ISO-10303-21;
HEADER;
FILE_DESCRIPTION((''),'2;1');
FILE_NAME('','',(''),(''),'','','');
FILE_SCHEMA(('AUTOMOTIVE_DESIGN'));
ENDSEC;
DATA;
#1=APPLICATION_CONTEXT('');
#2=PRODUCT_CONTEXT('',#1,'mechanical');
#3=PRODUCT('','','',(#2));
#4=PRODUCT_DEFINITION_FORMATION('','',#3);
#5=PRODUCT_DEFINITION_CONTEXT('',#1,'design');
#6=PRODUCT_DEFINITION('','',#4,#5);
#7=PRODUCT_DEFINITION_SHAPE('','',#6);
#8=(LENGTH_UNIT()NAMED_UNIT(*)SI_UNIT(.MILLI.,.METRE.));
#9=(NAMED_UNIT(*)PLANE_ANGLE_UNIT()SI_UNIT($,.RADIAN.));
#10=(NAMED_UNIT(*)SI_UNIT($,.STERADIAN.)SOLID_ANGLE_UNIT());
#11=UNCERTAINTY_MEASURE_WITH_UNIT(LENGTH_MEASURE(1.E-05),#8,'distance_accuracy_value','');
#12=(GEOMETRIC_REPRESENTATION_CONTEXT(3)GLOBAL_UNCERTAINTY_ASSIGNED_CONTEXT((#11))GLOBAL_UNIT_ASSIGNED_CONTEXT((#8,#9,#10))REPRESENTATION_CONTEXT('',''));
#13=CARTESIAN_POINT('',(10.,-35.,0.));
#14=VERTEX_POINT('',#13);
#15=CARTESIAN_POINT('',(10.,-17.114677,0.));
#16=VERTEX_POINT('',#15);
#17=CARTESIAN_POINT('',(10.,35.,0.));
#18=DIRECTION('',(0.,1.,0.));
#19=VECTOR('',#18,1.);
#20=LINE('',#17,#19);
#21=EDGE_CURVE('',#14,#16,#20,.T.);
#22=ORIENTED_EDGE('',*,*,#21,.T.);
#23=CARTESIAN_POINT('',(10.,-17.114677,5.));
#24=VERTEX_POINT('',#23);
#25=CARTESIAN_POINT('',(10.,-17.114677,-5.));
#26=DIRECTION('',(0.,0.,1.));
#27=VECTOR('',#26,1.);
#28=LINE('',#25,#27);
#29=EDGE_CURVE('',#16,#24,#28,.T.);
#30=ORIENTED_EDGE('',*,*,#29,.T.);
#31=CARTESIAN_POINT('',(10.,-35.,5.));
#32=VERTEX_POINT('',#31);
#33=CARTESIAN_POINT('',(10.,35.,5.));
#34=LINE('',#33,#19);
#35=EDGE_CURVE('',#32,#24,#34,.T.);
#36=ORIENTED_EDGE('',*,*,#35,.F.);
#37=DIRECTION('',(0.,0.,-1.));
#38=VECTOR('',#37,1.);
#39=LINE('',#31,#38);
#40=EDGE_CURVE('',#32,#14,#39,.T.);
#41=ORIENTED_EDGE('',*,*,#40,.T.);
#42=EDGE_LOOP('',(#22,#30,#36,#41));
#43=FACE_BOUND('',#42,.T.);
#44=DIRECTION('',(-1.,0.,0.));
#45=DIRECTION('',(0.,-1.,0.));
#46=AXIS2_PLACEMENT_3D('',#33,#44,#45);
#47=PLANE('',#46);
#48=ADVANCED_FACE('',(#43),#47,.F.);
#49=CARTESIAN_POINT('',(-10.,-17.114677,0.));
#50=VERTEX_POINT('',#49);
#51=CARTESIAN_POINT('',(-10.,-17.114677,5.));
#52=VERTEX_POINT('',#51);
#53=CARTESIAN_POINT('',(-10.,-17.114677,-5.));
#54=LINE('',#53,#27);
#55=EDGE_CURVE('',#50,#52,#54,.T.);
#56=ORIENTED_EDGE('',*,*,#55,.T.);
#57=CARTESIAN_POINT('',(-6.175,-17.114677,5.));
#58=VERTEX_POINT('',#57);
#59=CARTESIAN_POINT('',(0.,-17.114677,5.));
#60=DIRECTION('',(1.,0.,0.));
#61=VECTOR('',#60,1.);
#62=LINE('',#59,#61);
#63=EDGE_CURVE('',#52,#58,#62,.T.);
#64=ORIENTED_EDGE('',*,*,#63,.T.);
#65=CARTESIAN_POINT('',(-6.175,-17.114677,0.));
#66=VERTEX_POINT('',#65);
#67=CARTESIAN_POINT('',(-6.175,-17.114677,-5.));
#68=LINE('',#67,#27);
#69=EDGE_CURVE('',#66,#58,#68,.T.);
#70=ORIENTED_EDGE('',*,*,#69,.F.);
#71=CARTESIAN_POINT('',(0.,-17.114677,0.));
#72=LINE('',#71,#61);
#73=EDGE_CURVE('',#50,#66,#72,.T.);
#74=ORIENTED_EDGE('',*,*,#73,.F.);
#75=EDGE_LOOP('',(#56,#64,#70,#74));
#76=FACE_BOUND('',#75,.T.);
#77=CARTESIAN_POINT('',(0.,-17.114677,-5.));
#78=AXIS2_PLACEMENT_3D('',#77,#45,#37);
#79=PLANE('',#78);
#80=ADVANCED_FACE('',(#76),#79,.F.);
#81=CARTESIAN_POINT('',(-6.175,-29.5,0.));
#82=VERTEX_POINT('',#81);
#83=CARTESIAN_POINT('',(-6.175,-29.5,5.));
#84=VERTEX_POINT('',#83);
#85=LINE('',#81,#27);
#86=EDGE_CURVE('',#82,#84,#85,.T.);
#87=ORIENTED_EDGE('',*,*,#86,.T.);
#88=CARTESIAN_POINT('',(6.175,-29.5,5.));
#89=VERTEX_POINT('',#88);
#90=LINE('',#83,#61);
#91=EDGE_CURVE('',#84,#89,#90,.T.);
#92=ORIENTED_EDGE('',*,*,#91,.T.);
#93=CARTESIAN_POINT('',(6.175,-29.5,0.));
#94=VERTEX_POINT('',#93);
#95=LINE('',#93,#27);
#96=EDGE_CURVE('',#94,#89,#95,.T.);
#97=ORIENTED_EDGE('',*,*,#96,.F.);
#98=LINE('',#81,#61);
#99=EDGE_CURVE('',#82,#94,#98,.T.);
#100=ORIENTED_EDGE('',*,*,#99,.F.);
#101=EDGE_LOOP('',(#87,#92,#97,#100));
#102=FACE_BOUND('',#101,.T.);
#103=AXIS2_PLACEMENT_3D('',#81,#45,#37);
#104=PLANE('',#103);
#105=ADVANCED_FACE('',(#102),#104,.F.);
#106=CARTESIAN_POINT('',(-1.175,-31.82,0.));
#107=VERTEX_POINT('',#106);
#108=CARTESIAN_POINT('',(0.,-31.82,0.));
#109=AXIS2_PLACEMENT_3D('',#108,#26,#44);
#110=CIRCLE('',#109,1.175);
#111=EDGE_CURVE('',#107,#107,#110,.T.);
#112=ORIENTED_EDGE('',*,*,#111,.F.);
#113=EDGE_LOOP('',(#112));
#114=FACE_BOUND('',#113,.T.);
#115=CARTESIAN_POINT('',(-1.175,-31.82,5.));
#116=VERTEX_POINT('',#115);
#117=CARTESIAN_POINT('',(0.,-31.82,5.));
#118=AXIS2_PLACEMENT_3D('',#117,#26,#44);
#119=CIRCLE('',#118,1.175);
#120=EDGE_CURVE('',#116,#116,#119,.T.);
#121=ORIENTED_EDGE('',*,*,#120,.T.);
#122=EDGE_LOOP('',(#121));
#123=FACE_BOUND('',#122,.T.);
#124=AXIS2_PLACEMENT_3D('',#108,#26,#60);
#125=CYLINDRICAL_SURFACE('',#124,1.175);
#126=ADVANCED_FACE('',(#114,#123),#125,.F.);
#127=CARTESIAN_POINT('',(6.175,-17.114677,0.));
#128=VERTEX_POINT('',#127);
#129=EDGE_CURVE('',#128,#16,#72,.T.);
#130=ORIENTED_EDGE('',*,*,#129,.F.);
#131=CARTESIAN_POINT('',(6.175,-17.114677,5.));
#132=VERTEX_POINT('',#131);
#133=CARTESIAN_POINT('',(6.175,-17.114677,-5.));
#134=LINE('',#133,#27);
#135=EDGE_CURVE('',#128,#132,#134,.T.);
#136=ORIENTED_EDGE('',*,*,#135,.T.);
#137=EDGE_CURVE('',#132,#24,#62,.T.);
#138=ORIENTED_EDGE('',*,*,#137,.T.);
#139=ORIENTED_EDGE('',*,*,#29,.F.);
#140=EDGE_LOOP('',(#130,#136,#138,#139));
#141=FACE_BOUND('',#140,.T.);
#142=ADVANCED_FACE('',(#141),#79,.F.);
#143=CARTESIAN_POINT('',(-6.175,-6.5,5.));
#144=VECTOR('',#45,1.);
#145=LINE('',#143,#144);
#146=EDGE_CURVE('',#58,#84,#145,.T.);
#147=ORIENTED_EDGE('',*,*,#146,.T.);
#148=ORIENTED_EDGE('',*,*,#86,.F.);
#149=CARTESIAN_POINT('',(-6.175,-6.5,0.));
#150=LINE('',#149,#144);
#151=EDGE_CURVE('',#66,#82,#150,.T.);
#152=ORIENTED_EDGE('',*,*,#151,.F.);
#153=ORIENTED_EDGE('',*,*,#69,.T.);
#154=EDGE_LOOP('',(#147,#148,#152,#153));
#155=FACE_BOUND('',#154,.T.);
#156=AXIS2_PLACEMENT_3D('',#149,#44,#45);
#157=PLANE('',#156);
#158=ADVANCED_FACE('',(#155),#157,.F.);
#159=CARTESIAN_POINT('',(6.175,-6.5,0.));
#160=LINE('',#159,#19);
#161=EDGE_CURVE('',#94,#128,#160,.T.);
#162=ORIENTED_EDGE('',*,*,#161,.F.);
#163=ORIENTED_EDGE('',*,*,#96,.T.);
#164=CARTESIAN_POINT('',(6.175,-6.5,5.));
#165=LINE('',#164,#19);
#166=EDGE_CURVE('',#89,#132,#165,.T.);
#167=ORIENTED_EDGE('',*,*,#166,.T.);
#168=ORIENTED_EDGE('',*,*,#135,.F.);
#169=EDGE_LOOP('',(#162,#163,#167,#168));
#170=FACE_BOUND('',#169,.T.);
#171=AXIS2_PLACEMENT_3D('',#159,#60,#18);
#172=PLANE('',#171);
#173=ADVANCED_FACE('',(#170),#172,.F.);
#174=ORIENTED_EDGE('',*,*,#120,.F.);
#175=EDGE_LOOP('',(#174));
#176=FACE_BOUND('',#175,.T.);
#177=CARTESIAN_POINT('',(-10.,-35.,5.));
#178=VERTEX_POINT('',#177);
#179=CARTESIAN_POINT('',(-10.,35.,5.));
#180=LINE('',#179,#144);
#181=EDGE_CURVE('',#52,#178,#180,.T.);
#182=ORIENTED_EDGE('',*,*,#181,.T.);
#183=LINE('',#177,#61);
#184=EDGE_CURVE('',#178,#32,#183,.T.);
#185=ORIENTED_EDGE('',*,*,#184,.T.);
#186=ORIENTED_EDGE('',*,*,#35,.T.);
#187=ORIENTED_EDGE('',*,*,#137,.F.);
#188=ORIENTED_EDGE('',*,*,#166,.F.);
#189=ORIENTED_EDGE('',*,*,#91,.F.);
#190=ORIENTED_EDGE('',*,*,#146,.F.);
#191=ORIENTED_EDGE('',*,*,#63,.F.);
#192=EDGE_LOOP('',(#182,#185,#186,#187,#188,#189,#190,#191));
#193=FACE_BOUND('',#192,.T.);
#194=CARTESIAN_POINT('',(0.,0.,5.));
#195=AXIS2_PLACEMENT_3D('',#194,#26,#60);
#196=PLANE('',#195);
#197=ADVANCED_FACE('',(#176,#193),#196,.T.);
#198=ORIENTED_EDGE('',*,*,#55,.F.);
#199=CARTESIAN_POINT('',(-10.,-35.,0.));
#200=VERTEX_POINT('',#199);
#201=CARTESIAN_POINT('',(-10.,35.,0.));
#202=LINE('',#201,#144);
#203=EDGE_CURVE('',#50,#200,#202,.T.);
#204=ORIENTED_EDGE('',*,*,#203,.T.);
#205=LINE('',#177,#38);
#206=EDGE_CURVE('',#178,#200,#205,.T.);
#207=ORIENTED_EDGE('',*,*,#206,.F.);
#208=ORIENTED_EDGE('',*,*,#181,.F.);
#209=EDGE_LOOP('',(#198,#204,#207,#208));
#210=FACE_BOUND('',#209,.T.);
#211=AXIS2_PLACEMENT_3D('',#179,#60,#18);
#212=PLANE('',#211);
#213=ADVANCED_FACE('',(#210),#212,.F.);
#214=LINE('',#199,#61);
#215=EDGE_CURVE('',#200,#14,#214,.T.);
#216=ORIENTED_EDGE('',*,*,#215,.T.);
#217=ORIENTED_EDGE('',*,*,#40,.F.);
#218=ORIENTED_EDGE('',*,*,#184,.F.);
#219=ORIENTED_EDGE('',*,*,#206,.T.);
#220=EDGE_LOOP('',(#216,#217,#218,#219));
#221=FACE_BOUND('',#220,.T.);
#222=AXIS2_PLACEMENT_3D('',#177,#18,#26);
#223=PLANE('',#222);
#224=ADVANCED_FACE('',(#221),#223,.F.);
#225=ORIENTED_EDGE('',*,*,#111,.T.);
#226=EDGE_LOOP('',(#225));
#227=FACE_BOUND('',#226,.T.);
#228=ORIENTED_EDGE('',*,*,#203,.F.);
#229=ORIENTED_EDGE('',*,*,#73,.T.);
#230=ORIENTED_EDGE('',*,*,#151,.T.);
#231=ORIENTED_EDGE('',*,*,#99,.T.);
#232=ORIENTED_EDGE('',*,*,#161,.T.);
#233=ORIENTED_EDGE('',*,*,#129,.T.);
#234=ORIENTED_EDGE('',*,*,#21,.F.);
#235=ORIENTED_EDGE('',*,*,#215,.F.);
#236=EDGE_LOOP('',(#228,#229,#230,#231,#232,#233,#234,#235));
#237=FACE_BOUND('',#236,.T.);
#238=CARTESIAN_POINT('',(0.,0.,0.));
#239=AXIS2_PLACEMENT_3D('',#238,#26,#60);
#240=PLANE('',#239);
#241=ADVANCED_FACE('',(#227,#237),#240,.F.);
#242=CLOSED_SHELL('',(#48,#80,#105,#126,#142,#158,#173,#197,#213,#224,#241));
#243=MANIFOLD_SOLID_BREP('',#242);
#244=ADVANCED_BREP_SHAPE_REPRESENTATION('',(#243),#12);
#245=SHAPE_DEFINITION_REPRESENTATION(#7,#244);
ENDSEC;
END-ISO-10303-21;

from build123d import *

# Parameters (mm, degrees)
SKETCH3_W           = 20
SKETCH3_H           = 70
BOSS_EXTRUDE3_DEPTH = 5
CUT_EXTRUDE2_DEPTH  = 2
SKETCH6_R           = 3.57
CUT_EXTRUDE3_DEPTH  = 3
SKETCH7_R           = 1.175
SKETCH7_W           = 12.35
SKETCH7_H           = 23
CUT_EXTRUDE4_DEPTH  = 5
SKETCH8_W           = 1.25
SKETCH8_H           = 25
CUT_EXTRUDE5_DEPTH  = 30
SKETCH10_R          = 1.175
CUT_EXTRUDE8_DEPTH  = 10


with BuildPart() as part:
    # Sketch3 → Boss-Extrude3 (new body)
    with BuildSketch(Plane.XY):
        Rectangle(SKETCH3_W, SKETCH3_H)
    extrude(amount=BOSS_EXTRUDE3_DEPTH)

    # Sketch4 → Cut-Extrude2 (cut)
    with BuildSketch(Plane.XY.offset(5)):
        with BuildLine():
            Line((-2.85, 24.850023256), (-1.875, 12.739206809))
            Line((-1.875, 12.739206809), (1.875, 12.739206809))
            Line((1.875, 12.739206809), (2.85, 24.850023256))
            ThreePointArc((2.85, 24.850023256), (0, 23.43), (-2.85, 24.850023256))
        make_face()
        with BuildLine():
            Line((1.875, 12.739206809), (-1.875, 12.739206809))
            ThreePointArc((-1.875, 12.739206809), (0, 10.864206809), (1.875, 12.739206809))
        make_face()
        with BuildLine():
            ThreePointArc((3.57, 27), (-1.133666618, 30.385217866), (-2.85, 24.850023256))
            Line((-2.85, 24.850023256), (2.85, 24.850023256))
            ThreePointArc((2.85, 24.850023256), (3.385217866, 25.866333382), (3.57, 27))
        make_face()
        with BuildLine():
            Line((2.85, 24.850023256), (-2.85, 24.850023256))
            ThreePointArc((-2.85, 24.850023256), (0, 23.43), (2.85, 24.850023256))
        make_face()
    extrude(amount=-CUT_EXTRUDE2_DEPTH, mode=Mode.SUBTRACT)

    # Sketch6 → Cut-Extrude3 (cut)
    with BuildSketch(Plane.XY.offset(3)):
        with Locations((0, 27)):
            Circle(SKETCH6_R)
    extrude(amount=-CUT_EXTRUDE3_DEPTH, mode=Mode.SUBTRACT)

    # Sketch7 → Cut-Extrude4 (cut)
    with BuildSketch(Plane.XY.offset(5)):
        with Locations((0, -4.18)):
            Circle(SKETCH7_R)
        with Locations((0, -31.82)):
            Circle(SKETCH7_R)
        with Locations((0, -18)):
            Rectangle(SKETCH7_W, SKETCH7_H)
    extrude(amount=-CUT_EXTRUDE4_DEPTH, mode=Mode.SUBTRACT)

    # Sketch8 → Cut-Extrude5 (cut)
    with BuildSketch(Plane(origin=(10, 0, 0), x_dir=(0, 0, -1), z_dir=(1, 0, 0))):
        with Locations((-0.625, 22.5)):
            Rectangle(SKETCH8_W, SKETCH8_H)
    extrude(amount=-CUT_EXTRUDE5_DEPTH, mode=Mode.SUBTRACT)

    # Sketch10 → Cut-Extrude8 (cut)
    with BuildSketch(Plane.XY.offset(5)):
        Polygon((-10, 35), (-10, -17.114677165), (-6.175, -17.114677165), (-6.175, -6.5), (6.175, -6.5), (6.175, -17.114677165), (10, -17.114677165), (10, 35), align=None)
        with Locations((0, -4.18)):
            Circle(SKETCH10_R, mode=Mode.SUBTRACT)
        with BuildLine():
            Line((2.85, 24.850023256), (1.875, 12.739206809))
            ThreePointArc((1.875, 12.739206809), (0, 10.864206809), (-1.875, 12.739206809))
            Line((-1.875, 12.739206809), (-2.85, 24.850023256))
            ThreePointArc((-2.85, 24.850023256), (0, 30.57), (2.85, 24.850023256))
        make_face(mode=Mode.SUBTRACT)
        with BuildLine():
            ThreePointArc((1.875, 12.739206809), (0, 10.864206809), (-1.875, 12.739206809))
            Line((-1.875, 12.739206809), (-2.85, 24.850023256))
            ThreePointArc((-2.85, 24.850023256), (0, 30.57), (2.85, 24.850023256))
            Line((2.85, 24.850023256), (1.875, 12.739206809))
        make_face()
    extrude(amount=-CUT_EXTRUDE8_DEPTH, mode=Mode.SUBTRACT)


solid = part.part
